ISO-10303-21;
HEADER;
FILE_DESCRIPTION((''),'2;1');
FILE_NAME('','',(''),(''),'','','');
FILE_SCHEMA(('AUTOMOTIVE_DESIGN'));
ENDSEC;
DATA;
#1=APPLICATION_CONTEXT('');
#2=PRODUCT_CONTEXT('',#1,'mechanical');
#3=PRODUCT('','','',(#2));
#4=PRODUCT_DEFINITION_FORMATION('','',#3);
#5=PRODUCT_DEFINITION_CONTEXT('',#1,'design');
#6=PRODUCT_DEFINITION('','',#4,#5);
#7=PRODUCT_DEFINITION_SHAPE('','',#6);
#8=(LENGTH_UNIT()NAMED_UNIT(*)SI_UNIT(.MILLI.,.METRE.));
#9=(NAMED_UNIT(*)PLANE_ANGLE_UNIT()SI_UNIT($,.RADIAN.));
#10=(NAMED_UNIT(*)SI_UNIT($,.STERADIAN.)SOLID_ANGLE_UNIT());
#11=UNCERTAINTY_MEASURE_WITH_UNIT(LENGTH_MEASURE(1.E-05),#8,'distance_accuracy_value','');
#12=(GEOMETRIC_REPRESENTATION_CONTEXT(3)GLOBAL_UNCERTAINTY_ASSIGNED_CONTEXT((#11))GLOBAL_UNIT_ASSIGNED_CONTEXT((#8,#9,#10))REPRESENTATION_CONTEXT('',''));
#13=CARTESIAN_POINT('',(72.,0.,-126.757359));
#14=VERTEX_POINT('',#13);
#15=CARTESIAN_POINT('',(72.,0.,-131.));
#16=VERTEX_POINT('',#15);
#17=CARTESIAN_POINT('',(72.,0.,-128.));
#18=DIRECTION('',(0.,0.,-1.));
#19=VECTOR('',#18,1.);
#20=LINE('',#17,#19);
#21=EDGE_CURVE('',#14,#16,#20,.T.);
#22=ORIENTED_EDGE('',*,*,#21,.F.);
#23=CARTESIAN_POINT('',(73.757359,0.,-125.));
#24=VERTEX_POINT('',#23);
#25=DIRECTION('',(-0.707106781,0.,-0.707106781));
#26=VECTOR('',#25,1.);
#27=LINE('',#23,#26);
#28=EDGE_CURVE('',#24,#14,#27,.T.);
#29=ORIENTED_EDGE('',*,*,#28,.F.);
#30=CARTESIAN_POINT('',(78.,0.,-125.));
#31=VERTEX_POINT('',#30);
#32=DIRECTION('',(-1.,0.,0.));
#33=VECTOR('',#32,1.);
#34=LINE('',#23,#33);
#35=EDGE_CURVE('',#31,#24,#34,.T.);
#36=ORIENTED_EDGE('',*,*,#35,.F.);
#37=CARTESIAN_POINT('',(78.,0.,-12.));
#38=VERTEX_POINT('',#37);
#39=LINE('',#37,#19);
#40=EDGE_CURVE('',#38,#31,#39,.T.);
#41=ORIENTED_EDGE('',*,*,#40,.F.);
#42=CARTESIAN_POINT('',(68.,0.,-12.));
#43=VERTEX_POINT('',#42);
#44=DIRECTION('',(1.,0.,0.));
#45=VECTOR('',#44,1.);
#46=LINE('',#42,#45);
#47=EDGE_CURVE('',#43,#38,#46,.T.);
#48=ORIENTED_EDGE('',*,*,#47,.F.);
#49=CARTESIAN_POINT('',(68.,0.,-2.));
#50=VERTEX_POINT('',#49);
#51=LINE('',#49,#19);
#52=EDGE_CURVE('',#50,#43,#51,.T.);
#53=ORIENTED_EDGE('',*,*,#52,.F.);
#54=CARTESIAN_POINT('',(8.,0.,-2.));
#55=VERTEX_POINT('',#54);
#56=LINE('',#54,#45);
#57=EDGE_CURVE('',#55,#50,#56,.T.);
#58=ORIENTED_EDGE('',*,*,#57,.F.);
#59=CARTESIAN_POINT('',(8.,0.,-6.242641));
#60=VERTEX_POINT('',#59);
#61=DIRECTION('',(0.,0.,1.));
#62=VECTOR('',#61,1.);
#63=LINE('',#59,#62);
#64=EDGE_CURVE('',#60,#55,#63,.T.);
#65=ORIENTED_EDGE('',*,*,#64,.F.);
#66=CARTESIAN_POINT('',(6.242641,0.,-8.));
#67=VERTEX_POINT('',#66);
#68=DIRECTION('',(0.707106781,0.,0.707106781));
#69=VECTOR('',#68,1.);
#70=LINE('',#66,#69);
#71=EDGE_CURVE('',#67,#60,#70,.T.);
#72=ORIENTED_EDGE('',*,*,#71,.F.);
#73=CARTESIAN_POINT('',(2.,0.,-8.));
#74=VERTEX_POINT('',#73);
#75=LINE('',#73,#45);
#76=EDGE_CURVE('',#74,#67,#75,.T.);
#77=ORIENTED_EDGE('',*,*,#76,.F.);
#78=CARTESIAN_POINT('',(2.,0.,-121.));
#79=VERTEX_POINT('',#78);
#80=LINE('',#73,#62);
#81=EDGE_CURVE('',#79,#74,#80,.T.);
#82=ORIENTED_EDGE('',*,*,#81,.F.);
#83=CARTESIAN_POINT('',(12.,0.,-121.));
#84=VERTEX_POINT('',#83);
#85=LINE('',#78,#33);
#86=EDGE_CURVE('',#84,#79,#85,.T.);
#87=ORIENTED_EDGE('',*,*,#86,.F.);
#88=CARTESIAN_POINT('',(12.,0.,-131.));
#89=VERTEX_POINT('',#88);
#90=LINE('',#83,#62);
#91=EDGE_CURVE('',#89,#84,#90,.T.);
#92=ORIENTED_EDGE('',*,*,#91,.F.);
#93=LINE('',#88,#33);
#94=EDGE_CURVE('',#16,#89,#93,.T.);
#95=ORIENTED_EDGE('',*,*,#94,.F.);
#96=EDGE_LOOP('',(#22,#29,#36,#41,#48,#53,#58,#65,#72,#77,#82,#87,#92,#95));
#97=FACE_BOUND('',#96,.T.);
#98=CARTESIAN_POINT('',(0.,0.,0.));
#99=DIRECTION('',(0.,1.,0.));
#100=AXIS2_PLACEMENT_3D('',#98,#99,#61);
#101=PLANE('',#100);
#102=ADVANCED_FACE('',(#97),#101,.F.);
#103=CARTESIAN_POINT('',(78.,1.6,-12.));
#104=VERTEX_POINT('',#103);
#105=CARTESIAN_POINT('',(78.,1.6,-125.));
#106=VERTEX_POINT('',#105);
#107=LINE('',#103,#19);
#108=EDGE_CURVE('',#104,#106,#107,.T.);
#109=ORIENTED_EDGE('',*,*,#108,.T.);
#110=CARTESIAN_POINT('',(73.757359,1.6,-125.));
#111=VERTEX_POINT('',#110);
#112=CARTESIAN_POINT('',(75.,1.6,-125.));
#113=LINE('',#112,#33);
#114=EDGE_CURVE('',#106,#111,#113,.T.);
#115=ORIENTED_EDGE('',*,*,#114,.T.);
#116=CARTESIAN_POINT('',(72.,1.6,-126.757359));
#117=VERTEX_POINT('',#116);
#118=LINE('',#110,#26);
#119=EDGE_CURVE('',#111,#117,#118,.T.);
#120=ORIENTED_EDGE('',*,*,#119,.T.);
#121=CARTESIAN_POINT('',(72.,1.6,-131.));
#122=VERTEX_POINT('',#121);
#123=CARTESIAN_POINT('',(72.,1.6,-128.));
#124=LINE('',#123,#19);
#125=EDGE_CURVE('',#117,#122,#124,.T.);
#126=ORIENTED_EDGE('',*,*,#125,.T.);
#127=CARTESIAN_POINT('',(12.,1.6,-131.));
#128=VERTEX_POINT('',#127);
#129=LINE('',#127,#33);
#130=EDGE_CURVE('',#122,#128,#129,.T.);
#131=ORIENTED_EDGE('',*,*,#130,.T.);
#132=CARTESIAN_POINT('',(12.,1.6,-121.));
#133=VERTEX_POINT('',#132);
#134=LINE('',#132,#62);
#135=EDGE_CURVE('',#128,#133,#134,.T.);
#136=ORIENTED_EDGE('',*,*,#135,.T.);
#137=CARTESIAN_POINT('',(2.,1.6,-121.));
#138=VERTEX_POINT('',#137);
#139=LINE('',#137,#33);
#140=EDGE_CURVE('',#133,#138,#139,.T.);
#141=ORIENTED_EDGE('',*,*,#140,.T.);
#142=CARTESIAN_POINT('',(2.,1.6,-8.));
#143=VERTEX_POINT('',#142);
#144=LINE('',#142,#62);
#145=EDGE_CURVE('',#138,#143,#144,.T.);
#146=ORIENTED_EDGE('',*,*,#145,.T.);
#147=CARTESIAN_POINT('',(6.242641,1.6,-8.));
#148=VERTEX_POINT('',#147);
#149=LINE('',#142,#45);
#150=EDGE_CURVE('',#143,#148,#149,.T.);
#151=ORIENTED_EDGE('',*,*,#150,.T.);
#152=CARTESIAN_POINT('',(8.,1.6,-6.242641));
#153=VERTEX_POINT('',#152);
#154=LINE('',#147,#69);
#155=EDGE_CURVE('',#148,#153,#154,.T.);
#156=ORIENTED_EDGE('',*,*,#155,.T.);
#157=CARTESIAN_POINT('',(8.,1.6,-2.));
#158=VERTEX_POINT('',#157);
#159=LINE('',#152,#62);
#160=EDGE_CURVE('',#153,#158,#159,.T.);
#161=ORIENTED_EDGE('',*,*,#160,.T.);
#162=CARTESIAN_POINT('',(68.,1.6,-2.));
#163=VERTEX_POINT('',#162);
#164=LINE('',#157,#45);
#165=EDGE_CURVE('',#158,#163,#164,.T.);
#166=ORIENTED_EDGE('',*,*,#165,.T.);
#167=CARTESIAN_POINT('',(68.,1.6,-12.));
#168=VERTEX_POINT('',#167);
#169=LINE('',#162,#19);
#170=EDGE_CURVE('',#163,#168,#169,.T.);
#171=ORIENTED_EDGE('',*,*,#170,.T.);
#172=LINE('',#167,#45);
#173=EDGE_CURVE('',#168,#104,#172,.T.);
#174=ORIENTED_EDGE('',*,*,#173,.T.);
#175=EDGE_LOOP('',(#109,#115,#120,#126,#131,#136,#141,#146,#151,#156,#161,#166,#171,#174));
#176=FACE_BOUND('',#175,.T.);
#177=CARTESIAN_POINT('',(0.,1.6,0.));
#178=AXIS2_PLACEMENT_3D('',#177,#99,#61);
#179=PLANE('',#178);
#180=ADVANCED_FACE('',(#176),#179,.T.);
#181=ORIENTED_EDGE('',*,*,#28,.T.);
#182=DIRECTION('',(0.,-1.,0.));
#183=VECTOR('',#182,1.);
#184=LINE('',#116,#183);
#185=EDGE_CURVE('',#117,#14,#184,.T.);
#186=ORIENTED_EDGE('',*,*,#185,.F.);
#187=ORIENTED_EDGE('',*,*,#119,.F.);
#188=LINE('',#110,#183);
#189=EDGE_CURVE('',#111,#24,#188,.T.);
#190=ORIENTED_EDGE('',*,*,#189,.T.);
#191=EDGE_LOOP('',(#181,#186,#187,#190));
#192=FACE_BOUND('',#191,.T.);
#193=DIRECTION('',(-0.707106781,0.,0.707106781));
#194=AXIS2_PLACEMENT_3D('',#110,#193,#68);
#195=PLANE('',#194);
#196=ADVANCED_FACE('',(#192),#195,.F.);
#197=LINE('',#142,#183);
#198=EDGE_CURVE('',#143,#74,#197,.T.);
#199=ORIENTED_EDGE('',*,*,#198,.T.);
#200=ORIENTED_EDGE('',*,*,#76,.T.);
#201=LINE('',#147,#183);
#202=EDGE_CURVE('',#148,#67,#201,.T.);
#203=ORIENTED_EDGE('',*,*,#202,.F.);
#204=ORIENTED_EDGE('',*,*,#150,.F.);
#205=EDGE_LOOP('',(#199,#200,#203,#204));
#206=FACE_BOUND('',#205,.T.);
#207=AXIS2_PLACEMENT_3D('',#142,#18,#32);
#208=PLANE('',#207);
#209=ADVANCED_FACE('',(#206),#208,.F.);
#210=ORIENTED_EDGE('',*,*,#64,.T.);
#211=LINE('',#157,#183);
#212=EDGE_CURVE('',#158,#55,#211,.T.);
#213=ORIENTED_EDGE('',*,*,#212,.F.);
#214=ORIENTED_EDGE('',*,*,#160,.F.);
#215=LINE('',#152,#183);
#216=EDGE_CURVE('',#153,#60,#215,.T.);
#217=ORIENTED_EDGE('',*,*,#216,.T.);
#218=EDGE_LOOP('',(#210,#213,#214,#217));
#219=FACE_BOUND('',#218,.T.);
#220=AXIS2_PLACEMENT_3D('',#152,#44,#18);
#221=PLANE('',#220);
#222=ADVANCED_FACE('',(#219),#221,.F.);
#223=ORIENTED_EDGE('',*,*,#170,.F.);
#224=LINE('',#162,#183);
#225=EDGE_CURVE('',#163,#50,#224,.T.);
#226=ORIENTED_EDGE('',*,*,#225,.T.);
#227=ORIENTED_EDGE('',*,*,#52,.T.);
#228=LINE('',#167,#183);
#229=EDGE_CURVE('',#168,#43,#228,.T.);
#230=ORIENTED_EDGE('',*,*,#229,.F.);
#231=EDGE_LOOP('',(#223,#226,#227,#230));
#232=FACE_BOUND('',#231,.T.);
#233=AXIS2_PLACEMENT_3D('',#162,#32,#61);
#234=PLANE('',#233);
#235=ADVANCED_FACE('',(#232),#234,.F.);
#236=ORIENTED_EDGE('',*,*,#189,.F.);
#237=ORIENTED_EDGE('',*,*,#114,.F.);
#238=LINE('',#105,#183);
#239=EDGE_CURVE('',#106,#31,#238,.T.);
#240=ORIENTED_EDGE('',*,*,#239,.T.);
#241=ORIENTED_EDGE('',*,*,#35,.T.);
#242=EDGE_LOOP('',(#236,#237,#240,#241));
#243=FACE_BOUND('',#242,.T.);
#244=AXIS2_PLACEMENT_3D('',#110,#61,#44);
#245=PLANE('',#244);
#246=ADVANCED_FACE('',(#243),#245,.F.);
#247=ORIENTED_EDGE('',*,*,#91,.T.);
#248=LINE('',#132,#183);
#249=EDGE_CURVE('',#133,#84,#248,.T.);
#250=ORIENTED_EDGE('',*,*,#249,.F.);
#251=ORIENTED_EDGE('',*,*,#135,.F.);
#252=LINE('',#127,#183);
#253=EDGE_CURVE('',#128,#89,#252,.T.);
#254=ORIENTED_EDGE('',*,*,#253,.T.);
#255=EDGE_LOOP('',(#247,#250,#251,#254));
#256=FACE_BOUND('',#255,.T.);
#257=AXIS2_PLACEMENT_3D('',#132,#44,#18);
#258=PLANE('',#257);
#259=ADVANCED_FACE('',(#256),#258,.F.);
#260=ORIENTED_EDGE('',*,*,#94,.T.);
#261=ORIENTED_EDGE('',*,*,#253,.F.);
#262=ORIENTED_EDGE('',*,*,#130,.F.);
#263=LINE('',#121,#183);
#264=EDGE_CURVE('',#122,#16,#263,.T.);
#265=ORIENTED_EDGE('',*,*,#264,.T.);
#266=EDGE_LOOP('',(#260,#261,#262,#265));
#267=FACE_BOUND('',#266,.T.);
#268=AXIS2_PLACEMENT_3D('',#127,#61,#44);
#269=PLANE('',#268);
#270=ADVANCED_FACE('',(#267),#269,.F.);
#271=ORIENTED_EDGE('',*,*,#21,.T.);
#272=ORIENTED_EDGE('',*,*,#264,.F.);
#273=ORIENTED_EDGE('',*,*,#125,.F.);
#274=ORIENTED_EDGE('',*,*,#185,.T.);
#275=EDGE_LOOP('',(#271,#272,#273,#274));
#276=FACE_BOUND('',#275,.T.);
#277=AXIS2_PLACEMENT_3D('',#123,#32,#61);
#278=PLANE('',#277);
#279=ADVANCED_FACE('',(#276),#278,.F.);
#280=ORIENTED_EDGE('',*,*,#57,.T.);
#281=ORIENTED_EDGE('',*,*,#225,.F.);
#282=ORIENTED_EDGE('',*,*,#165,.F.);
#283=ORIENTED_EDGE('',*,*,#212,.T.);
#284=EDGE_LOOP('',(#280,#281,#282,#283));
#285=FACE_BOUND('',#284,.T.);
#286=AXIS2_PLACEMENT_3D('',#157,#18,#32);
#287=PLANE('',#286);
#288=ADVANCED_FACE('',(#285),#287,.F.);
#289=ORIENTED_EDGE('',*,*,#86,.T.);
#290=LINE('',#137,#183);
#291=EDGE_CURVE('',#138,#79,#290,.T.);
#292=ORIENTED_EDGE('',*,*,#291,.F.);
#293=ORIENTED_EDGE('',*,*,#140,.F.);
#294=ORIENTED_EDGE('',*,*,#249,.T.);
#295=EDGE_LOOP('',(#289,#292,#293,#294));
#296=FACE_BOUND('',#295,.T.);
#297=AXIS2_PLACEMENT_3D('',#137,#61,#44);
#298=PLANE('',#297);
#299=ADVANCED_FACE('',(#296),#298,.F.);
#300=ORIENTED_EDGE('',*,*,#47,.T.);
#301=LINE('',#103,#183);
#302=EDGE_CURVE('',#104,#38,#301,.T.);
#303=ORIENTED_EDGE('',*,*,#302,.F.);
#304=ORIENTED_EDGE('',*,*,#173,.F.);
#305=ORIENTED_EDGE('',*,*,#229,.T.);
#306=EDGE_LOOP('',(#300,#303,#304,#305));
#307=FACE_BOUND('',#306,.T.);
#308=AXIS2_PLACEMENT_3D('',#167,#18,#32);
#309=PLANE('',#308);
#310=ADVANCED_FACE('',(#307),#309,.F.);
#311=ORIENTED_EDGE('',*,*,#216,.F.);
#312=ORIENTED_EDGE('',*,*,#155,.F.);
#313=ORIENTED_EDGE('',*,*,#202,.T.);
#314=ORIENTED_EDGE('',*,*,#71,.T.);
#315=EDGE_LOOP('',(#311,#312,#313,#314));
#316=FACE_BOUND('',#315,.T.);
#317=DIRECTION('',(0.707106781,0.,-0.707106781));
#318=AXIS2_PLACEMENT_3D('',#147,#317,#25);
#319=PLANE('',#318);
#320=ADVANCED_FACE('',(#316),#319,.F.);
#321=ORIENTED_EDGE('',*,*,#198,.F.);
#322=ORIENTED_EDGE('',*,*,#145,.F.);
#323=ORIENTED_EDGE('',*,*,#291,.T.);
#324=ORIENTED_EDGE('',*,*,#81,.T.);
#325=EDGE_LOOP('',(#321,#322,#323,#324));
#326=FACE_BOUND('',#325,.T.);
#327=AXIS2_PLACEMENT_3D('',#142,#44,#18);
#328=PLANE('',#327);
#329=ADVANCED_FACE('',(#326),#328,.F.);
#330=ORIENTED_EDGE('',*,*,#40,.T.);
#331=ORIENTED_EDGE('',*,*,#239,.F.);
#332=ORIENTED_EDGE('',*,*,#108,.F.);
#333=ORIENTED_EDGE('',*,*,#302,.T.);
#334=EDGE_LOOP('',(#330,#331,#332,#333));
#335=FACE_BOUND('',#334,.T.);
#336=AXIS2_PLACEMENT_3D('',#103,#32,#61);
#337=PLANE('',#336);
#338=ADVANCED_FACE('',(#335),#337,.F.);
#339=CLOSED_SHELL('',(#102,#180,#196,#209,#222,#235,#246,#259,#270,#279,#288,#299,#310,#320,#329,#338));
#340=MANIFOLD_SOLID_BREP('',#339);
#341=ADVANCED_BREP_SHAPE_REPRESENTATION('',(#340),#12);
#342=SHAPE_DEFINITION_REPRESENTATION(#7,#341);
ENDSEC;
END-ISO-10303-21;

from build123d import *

# Parameters (mm, degrees)
BOSS_EXTRUDE1_DEPTH = 1.6


with BuildPart() as part:
    # Sketch2 → Boss-Extrude1 (new body)
    with BuildSketch(Plane(origin=(0, 0, 0), x_dir=(1, 0, 0), z_dir=(0, 1, 0))):
        Polygon((8, 2), (68, 2), (68, 12), (78, 12), (78, 125), (75, 125), (73.757359313, 125), (72, 126.757359313), (72, 128), (72, 131), (12, 131), (12, 121), (2, 121), (2, 8), (6.242640687, 8), (8, 6.242640687), align=None)
    extrude(amount=BOSS_EXTRUDE1_DEPTH)


solid = part.part
